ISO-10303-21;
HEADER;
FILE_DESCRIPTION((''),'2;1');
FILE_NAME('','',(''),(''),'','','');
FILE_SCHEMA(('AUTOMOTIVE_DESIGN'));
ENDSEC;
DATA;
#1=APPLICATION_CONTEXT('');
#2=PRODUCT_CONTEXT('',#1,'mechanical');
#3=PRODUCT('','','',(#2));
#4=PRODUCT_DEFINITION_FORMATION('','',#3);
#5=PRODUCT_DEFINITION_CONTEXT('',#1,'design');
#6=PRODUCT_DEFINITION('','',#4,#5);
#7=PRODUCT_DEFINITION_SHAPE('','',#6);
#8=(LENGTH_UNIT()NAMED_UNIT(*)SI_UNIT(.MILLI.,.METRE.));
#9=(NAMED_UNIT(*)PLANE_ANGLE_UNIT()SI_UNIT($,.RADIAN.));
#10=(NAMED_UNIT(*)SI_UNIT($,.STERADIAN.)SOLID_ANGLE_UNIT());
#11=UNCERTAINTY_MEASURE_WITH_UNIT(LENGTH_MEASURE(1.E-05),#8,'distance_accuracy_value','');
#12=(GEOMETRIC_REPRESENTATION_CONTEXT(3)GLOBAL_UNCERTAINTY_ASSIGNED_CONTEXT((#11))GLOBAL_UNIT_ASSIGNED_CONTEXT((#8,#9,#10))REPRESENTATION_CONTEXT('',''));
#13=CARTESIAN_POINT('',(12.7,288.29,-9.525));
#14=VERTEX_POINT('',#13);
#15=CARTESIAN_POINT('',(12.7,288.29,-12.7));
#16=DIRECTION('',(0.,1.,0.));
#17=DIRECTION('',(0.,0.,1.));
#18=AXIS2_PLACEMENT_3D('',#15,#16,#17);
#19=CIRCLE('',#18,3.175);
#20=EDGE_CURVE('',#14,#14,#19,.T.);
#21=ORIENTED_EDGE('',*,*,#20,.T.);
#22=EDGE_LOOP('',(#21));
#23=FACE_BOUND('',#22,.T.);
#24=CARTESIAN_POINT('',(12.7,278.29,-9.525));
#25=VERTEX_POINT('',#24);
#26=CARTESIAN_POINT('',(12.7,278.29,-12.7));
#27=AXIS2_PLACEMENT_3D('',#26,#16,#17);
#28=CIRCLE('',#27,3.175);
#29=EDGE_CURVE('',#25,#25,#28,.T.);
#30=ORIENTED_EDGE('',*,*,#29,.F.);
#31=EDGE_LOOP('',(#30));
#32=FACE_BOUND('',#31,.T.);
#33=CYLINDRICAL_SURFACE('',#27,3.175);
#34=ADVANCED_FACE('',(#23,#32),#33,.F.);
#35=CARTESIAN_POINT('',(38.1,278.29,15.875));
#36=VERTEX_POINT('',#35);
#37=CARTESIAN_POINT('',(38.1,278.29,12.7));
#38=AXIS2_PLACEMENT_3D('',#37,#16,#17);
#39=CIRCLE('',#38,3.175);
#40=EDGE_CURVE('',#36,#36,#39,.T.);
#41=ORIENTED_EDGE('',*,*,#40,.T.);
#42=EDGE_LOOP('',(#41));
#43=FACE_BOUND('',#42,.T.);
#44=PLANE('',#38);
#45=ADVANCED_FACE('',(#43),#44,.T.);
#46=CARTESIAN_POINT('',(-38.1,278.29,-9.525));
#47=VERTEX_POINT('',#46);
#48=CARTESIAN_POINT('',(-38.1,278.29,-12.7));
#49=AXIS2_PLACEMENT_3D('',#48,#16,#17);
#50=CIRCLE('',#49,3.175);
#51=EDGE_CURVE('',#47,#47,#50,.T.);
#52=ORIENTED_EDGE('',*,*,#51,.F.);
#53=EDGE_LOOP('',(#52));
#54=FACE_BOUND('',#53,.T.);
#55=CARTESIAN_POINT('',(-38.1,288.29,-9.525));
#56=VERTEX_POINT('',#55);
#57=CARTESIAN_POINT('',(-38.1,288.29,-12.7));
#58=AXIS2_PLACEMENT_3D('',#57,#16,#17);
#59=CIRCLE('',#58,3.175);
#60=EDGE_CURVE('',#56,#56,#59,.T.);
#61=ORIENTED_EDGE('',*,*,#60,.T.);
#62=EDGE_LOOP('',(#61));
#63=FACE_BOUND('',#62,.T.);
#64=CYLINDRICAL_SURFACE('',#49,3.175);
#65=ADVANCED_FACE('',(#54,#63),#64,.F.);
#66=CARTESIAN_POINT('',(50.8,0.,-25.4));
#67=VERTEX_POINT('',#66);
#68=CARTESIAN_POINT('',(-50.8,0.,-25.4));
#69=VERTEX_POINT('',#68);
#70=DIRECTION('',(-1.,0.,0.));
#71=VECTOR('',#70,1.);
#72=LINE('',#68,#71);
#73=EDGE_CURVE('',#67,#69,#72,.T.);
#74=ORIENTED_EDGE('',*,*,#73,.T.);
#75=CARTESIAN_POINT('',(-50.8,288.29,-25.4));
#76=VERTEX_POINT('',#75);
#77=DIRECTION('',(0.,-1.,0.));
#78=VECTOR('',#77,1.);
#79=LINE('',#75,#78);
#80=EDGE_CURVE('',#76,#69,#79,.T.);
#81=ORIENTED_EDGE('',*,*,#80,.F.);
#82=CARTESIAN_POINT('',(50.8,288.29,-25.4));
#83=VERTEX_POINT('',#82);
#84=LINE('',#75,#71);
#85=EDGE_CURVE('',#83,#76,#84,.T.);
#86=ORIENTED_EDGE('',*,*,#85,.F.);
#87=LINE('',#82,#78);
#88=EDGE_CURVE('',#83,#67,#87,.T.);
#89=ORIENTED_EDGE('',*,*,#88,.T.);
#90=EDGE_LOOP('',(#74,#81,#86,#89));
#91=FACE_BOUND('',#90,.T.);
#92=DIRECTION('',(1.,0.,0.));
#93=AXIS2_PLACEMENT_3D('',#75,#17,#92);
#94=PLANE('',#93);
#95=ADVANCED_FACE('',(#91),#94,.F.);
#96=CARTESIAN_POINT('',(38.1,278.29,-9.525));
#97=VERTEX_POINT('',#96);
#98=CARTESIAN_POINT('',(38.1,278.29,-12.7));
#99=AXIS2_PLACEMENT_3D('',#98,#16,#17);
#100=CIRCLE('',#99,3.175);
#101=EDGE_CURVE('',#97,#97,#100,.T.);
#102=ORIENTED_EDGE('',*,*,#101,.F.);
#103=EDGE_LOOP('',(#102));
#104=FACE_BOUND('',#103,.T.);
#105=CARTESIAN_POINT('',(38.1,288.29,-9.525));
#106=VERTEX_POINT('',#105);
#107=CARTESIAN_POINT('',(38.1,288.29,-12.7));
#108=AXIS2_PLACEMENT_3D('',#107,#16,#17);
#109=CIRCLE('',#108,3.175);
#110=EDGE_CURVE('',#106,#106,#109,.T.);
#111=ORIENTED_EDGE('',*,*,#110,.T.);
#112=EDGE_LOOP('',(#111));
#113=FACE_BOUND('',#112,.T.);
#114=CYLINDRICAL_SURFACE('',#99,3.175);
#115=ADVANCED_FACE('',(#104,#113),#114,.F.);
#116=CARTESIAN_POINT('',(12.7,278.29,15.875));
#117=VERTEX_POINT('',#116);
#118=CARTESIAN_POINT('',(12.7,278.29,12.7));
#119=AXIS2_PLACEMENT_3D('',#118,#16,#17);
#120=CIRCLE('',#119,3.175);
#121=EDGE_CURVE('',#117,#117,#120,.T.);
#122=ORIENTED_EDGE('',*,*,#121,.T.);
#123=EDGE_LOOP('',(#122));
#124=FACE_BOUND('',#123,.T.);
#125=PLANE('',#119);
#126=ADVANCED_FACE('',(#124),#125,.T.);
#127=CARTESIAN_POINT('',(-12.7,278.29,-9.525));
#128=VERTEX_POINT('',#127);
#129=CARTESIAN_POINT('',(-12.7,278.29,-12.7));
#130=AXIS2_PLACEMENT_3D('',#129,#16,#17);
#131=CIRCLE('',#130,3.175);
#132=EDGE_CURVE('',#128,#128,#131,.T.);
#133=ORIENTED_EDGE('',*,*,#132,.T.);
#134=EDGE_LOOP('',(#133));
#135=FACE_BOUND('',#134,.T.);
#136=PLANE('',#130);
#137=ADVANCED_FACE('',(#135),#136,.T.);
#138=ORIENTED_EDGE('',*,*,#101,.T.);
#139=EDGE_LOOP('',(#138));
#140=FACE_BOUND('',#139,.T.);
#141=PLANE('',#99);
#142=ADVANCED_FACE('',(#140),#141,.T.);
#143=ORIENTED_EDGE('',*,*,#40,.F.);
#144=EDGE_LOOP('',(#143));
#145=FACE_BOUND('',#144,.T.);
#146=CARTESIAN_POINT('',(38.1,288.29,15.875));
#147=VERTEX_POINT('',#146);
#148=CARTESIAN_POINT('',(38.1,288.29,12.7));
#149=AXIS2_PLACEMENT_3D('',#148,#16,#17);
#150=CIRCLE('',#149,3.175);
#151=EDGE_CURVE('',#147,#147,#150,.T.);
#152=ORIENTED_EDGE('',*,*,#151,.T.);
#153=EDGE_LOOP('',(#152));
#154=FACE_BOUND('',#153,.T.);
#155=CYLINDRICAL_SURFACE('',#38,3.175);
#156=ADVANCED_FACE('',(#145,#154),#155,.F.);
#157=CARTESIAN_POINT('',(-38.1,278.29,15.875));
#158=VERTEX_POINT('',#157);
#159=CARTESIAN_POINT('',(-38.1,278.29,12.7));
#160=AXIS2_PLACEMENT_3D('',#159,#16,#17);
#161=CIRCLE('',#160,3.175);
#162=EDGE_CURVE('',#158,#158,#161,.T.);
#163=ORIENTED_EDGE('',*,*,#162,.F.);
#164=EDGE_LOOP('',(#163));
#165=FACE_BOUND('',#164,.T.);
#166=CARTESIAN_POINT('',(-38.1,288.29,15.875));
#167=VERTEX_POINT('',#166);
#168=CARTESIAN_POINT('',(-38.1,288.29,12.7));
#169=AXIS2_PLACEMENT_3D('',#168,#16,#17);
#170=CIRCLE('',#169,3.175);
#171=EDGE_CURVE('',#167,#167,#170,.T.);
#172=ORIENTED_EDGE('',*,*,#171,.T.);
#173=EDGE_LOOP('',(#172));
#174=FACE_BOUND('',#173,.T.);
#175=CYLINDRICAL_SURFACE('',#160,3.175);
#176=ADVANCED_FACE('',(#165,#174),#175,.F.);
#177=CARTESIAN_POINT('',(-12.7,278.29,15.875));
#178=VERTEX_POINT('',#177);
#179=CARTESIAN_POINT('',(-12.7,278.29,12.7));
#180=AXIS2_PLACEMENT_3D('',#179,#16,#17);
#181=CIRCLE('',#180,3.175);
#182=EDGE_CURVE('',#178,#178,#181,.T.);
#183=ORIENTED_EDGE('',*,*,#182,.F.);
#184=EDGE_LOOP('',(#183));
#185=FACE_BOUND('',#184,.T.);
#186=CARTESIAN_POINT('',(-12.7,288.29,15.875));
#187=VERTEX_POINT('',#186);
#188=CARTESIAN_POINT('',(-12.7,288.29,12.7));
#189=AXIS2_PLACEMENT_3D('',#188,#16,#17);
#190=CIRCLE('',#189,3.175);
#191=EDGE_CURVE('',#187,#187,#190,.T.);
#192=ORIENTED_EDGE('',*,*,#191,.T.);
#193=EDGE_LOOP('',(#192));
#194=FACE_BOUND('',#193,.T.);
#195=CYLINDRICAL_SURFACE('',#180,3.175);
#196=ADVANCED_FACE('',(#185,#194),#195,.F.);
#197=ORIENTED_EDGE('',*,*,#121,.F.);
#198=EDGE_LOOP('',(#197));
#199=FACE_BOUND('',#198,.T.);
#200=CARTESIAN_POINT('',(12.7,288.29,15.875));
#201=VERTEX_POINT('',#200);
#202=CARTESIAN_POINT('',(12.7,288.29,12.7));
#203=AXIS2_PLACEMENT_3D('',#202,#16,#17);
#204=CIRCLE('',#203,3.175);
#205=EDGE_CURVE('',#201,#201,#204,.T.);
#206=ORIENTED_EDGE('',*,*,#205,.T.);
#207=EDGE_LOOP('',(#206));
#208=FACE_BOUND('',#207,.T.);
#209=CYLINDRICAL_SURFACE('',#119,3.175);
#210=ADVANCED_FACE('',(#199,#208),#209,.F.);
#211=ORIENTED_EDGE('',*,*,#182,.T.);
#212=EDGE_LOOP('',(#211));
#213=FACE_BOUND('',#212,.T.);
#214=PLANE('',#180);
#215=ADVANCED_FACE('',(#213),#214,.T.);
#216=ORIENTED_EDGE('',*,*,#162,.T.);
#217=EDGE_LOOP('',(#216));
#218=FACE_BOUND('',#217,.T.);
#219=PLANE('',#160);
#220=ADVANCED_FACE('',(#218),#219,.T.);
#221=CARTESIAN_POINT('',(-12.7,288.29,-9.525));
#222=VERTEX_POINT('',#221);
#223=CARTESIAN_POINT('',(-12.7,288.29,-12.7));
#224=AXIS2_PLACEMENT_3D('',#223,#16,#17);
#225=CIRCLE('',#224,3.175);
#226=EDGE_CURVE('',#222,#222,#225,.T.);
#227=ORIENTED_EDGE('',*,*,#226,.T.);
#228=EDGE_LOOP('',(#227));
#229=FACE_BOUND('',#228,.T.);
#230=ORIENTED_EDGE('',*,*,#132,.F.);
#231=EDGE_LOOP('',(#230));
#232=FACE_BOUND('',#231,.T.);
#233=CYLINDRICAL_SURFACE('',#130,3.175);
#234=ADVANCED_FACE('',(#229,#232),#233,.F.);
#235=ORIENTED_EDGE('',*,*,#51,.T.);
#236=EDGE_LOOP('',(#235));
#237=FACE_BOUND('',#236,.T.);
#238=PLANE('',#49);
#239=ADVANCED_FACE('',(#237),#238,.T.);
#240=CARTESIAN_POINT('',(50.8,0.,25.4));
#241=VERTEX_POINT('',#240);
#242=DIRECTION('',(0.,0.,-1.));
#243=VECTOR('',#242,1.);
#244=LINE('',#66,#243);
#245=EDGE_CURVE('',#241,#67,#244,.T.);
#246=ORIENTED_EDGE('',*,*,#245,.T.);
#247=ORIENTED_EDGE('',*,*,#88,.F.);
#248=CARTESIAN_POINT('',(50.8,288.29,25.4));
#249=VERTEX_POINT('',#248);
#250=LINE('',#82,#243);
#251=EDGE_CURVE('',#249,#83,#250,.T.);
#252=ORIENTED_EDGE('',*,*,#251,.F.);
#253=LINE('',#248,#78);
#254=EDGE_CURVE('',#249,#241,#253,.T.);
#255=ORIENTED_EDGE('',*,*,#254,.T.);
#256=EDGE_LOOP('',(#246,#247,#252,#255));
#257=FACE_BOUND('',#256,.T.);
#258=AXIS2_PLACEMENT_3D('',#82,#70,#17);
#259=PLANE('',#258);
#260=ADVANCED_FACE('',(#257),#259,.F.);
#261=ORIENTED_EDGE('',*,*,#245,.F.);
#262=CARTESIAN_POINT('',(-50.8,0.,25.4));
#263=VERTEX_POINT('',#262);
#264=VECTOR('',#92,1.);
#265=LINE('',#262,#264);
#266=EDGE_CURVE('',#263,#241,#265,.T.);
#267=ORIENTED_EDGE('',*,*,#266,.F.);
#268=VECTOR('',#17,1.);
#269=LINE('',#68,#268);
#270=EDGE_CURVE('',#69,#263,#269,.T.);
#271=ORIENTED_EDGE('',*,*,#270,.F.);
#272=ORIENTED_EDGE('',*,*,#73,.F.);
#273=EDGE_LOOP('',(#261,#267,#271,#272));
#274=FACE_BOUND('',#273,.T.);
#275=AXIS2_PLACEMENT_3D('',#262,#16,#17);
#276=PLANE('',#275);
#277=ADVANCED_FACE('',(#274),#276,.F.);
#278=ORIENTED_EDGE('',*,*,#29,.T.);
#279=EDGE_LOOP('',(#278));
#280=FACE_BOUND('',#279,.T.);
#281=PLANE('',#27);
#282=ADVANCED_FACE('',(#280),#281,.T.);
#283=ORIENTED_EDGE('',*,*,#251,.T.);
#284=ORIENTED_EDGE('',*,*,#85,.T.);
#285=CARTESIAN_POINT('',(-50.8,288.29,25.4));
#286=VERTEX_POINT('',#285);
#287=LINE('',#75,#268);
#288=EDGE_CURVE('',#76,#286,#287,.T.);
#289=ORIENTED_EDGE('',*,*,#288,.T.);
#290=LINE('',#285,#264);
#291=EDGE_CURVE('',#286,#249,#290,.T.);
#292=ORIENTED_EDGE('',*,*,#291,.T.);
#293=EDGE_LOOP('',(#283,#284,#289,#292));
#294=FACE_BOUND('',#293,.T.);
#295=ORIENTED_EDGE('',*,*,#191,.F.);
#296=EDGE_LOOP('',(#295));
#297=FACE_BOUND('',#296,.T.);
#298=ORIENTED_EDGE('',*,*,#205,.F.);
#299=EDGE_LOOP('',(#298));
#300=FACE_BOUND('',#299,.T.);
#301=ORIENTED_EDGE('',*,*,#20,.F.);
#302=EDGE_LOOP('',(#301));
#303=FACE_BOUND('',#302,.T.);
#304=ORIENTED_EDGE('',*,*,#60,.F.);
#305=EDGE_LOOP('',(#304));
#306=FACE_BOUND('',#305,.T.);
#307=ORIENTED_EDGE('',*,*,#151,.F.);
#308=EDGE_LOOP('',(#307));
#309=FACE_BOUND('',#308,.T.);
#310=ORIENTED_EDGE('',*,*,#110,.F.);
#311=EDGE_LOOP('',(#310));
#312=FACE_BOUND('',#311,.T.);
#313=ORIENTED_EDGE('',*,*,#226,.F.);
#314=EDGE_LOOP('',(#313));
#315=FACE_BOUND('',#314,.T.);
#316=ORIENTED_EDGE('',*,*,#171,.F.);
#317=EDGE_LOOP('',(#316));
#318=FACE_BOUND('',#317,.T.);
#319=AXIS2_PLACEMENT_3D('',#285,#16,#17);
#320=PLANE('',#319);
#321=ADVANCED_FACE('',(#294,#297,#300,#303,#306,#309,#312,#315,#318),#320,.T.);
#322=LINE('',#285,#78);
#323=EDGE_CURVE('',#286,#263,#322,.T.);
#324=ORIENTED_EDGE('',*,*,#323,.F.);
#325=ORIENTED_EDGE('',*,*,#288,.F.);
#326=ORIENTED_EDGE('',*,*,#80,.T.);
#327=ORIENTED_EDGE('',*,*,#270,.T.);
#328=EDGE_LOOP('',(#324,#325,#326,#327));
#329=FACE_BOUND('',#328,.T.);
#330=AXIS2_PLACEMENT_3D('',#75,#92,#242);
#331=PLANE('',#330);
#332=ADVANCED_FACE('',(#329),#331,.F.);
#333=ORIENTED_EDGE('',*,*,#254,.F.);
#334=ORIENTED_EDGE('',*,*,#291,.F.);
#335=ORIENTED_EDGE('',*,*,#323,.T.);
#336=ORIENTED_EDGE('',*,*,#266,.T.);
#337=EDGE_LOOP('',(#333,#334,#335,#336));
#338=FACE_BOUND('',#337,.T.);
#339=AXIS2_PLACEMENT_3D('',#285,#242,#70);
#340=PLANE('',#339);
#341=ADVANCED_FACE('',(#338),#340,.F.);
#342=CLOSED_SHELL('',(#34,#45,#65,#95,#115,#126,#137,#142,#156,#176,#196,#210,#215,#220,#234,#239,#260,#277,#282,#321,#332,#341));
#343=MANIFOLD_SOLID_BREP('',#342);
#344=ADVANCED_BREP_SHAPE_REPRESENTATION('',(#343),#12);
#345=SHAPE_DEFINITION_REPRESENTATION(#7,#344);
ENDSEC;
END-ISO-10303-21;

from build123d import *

# Parameters (mm, degrees)
SKETCH1_W            = 101.6
SKETCH1_H            = 50.8
BOSS_EXTRUDE1_DEPTH  = 288.29
SKETCH3_R            = 3.175
CUT_EXTRUDE1_DEPTH   = 10
LPATTERN1_COUNT      = 4
LPATTERN1_PITCH      = 25.4
LPATTERN1_COUNT_DIR2 = 2
LPATTERN1_PITCH_DIR2 = 25.4


with BuildPart() as part:
    # Sketch1 → Boss-Extrude1 (new body)
    with BuildSketch(Plane(origin=(0, 0, 0), x_dir=(1, 0, 0), z_dir=(0, 1, 0))):
        Rectangle(SKETCH1_W, SKETCH1_H)
    extrude(amount=BOSS_EXTRUDE1_DEPTH)

    # Sketch3 → Cut-Extrude1 (cut)
    with BuildSketch(Plane(origin=(0, 288.29, 0), x_dir=(1, 0, 0), z_dir=(0, 1, 0))):
        with Locations(Location((-38.1, 12.7, 0), (0, 0, 270))):
            Circle(SKETCH3_R)
    cut_extrude1 = extrude(amount=-CUT_EXTRUDE1_DEPTH, mode=Mode.SUBTRACT)

    # LPattern1: Cut-Extrude1 4 × 2
    with Locations(*[(i * LPATTERN1_PITCH, 0, j * LPATTERN1_PITCH_DIR2) for i in range(LPATTERN1_COUNT) for j in range(LPATTERN1_COUNT_DIR2) if (i, j) != (0, 0)]):
        add(cut_extrude1, mode=Mode.SUBTRACT)


solid = part.part
